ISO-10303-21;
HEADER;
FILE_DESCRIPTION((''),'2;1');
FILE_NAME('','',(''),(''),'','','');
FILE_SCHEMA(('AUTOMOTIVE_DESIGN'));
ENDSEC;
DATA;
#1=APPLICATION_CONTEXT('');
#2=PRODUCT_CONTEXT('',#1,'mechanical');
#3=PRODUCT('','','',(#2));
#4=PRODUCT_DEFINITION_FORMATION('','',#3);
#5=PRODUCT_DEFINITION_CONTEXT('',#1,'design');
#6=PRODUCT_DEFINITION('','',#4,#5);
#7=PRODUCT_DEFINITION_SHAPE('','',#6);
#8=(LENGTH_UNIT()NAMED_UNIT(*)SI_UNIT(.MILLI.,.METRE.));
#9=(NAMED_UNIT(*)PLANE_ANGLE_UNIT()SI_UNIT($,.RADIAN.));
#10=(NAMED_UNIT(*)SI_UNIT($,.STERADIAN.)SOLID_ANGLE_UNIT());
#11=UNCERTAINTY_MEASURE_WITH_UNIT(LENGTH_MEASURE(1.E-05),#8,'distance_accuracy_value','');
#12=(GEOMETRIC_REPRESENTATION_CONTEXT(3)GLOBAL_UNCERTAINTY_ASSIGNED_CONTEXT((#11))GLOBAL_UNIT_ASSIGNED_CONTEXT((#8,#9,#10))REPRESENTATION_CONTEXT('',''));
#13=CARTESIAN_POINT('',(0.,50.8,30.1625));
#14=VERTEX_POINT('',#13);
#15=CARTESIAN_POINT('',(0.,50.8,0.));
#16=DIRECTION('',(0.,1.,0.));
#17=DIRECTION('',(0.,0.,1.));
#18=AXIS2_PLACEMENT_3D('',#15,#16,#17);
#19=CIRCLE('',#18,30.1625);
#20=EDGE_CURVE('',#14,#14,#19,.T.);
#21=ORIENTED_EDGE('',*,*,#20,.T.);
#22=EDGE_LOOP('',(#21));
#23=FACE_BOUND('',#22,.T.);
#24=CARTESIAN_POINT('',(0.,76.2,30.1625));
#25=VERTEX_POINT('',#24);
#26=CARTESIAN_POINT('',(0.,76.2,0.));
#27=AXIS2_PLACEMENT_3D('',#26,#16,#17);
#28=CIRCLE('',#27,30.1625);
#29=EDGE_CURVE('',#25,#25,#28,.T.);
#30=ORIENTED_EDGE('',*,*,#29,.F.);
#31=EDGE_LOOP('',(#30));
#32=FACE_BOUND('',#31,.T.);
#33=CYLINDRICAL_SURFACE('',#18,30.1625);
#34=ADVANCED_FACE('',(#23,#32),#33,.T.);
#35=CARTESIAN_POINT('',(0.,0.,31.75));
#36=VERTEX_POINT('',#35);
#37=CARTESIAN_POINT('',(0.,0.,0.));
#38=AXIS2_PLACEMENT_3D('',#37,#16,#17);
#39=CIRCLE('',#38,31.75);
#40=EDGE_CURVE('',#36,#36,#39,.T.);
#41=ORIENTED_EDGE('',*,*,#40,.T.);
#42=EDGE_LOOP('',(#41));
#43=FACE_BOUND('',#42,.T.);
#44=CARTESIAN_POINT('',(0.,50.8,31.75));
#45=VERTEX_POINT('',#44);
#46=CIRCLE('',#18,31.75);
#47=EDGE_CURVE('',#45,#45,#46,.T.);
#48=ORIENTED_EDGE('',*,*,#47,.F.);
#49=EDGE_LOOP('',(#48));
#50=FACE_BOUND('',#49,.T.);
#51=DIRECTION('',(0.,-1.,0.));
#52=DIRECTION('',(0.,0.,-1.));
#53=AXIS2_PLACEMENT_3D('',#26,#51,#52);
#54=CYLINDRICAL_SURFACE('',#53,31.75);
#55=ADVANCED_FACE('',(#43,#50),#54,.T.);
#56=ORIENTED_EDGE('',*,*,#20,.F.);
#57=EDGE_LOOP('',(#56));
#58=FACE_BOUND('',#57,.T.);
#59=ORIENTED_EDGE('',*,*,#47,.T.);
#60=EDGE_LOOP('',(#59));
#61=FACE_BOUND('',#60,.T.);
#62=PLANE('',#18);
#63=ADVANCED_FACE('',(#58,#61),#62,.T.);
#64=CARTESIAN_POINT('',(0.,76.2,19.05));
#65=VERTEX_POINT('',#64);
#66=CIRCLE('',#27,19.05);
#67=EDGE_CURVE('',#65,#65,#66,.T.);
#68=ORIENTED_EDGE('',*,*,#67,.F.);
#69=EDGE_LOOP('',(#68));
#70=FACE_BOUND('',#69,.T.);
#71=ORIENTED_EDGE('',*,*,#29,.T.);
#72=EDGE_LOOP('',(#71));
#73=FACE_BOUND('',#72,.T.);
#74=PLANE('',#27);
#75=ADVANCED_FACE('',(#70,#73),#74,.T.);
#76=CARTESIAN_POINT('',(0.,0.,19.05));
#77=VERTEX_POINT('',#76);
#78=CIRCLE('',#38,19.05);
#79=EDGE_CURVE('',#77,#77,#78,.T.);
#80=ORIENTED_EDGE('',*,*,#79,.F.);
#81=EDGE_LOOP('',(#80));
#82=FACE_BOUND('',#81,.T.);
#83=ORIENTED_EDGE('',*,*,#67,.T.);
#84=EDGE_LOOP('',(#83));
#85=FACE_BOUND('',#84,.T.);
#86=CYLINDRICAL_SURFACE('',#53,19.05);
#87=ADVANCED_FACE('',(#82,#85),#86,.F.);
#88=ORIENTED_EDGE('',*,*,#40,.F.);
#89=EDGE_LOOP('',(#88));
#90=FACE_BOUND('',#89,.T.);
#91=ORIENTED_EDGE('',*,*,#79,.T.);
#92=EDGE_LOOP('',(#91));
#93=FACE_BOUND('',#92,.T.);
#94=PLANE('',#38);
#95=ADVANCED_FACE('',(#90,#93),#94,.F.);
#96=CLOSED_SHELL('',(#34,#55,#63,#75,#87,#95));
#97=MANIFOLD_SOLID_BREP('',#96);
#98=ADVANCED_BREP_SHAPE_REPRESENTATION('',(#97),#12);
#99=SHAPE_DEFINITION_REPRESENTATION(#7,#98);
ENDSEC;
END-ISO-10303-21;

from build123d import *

# Parameters (mm, degrees)
SKETCH1_R           = 31.75
SKETCH1_R_2         = 19.05
BOSS_EXTRUDE1_DEPTH = 76.2
SKETCH3_R           = 31.75
SKETCH3_R_2         = 30.1625
CUT_EXTRUDE1_DEPTH  = 25.4


with BuildPart() as part:
    # Sketch1 → Boss-Extrude1 (new body)
    with BuildSketch(Plane(origin=(0, 0, 0), x_dir=(1, 0, 0), z_dir=(0, 1, 0))):
        Circle(SKETCH1_R)
        Circle(SKETCH1_R_2, mode=Mode.SUBTRACT)
    extrude(amount=BOSS_EXTRUDE1_DEPTH)

    # Sketch3 → Cut-Extrude1 (cut)
    with BuildSketch(Plane(origin=(0, 76.2, 0), x_dir=(1, 0, 0), z_dir=(0, 1, 0))):
        Circle(SKETCH3_R)
        Circle(SKETCH3_R_2, mode=Mode.SUBTRACT)
    extrude(amount=-CUT_EXTRUDE1_DEPTH, mode=Mode.SUBTRACT)


solid = part.part
